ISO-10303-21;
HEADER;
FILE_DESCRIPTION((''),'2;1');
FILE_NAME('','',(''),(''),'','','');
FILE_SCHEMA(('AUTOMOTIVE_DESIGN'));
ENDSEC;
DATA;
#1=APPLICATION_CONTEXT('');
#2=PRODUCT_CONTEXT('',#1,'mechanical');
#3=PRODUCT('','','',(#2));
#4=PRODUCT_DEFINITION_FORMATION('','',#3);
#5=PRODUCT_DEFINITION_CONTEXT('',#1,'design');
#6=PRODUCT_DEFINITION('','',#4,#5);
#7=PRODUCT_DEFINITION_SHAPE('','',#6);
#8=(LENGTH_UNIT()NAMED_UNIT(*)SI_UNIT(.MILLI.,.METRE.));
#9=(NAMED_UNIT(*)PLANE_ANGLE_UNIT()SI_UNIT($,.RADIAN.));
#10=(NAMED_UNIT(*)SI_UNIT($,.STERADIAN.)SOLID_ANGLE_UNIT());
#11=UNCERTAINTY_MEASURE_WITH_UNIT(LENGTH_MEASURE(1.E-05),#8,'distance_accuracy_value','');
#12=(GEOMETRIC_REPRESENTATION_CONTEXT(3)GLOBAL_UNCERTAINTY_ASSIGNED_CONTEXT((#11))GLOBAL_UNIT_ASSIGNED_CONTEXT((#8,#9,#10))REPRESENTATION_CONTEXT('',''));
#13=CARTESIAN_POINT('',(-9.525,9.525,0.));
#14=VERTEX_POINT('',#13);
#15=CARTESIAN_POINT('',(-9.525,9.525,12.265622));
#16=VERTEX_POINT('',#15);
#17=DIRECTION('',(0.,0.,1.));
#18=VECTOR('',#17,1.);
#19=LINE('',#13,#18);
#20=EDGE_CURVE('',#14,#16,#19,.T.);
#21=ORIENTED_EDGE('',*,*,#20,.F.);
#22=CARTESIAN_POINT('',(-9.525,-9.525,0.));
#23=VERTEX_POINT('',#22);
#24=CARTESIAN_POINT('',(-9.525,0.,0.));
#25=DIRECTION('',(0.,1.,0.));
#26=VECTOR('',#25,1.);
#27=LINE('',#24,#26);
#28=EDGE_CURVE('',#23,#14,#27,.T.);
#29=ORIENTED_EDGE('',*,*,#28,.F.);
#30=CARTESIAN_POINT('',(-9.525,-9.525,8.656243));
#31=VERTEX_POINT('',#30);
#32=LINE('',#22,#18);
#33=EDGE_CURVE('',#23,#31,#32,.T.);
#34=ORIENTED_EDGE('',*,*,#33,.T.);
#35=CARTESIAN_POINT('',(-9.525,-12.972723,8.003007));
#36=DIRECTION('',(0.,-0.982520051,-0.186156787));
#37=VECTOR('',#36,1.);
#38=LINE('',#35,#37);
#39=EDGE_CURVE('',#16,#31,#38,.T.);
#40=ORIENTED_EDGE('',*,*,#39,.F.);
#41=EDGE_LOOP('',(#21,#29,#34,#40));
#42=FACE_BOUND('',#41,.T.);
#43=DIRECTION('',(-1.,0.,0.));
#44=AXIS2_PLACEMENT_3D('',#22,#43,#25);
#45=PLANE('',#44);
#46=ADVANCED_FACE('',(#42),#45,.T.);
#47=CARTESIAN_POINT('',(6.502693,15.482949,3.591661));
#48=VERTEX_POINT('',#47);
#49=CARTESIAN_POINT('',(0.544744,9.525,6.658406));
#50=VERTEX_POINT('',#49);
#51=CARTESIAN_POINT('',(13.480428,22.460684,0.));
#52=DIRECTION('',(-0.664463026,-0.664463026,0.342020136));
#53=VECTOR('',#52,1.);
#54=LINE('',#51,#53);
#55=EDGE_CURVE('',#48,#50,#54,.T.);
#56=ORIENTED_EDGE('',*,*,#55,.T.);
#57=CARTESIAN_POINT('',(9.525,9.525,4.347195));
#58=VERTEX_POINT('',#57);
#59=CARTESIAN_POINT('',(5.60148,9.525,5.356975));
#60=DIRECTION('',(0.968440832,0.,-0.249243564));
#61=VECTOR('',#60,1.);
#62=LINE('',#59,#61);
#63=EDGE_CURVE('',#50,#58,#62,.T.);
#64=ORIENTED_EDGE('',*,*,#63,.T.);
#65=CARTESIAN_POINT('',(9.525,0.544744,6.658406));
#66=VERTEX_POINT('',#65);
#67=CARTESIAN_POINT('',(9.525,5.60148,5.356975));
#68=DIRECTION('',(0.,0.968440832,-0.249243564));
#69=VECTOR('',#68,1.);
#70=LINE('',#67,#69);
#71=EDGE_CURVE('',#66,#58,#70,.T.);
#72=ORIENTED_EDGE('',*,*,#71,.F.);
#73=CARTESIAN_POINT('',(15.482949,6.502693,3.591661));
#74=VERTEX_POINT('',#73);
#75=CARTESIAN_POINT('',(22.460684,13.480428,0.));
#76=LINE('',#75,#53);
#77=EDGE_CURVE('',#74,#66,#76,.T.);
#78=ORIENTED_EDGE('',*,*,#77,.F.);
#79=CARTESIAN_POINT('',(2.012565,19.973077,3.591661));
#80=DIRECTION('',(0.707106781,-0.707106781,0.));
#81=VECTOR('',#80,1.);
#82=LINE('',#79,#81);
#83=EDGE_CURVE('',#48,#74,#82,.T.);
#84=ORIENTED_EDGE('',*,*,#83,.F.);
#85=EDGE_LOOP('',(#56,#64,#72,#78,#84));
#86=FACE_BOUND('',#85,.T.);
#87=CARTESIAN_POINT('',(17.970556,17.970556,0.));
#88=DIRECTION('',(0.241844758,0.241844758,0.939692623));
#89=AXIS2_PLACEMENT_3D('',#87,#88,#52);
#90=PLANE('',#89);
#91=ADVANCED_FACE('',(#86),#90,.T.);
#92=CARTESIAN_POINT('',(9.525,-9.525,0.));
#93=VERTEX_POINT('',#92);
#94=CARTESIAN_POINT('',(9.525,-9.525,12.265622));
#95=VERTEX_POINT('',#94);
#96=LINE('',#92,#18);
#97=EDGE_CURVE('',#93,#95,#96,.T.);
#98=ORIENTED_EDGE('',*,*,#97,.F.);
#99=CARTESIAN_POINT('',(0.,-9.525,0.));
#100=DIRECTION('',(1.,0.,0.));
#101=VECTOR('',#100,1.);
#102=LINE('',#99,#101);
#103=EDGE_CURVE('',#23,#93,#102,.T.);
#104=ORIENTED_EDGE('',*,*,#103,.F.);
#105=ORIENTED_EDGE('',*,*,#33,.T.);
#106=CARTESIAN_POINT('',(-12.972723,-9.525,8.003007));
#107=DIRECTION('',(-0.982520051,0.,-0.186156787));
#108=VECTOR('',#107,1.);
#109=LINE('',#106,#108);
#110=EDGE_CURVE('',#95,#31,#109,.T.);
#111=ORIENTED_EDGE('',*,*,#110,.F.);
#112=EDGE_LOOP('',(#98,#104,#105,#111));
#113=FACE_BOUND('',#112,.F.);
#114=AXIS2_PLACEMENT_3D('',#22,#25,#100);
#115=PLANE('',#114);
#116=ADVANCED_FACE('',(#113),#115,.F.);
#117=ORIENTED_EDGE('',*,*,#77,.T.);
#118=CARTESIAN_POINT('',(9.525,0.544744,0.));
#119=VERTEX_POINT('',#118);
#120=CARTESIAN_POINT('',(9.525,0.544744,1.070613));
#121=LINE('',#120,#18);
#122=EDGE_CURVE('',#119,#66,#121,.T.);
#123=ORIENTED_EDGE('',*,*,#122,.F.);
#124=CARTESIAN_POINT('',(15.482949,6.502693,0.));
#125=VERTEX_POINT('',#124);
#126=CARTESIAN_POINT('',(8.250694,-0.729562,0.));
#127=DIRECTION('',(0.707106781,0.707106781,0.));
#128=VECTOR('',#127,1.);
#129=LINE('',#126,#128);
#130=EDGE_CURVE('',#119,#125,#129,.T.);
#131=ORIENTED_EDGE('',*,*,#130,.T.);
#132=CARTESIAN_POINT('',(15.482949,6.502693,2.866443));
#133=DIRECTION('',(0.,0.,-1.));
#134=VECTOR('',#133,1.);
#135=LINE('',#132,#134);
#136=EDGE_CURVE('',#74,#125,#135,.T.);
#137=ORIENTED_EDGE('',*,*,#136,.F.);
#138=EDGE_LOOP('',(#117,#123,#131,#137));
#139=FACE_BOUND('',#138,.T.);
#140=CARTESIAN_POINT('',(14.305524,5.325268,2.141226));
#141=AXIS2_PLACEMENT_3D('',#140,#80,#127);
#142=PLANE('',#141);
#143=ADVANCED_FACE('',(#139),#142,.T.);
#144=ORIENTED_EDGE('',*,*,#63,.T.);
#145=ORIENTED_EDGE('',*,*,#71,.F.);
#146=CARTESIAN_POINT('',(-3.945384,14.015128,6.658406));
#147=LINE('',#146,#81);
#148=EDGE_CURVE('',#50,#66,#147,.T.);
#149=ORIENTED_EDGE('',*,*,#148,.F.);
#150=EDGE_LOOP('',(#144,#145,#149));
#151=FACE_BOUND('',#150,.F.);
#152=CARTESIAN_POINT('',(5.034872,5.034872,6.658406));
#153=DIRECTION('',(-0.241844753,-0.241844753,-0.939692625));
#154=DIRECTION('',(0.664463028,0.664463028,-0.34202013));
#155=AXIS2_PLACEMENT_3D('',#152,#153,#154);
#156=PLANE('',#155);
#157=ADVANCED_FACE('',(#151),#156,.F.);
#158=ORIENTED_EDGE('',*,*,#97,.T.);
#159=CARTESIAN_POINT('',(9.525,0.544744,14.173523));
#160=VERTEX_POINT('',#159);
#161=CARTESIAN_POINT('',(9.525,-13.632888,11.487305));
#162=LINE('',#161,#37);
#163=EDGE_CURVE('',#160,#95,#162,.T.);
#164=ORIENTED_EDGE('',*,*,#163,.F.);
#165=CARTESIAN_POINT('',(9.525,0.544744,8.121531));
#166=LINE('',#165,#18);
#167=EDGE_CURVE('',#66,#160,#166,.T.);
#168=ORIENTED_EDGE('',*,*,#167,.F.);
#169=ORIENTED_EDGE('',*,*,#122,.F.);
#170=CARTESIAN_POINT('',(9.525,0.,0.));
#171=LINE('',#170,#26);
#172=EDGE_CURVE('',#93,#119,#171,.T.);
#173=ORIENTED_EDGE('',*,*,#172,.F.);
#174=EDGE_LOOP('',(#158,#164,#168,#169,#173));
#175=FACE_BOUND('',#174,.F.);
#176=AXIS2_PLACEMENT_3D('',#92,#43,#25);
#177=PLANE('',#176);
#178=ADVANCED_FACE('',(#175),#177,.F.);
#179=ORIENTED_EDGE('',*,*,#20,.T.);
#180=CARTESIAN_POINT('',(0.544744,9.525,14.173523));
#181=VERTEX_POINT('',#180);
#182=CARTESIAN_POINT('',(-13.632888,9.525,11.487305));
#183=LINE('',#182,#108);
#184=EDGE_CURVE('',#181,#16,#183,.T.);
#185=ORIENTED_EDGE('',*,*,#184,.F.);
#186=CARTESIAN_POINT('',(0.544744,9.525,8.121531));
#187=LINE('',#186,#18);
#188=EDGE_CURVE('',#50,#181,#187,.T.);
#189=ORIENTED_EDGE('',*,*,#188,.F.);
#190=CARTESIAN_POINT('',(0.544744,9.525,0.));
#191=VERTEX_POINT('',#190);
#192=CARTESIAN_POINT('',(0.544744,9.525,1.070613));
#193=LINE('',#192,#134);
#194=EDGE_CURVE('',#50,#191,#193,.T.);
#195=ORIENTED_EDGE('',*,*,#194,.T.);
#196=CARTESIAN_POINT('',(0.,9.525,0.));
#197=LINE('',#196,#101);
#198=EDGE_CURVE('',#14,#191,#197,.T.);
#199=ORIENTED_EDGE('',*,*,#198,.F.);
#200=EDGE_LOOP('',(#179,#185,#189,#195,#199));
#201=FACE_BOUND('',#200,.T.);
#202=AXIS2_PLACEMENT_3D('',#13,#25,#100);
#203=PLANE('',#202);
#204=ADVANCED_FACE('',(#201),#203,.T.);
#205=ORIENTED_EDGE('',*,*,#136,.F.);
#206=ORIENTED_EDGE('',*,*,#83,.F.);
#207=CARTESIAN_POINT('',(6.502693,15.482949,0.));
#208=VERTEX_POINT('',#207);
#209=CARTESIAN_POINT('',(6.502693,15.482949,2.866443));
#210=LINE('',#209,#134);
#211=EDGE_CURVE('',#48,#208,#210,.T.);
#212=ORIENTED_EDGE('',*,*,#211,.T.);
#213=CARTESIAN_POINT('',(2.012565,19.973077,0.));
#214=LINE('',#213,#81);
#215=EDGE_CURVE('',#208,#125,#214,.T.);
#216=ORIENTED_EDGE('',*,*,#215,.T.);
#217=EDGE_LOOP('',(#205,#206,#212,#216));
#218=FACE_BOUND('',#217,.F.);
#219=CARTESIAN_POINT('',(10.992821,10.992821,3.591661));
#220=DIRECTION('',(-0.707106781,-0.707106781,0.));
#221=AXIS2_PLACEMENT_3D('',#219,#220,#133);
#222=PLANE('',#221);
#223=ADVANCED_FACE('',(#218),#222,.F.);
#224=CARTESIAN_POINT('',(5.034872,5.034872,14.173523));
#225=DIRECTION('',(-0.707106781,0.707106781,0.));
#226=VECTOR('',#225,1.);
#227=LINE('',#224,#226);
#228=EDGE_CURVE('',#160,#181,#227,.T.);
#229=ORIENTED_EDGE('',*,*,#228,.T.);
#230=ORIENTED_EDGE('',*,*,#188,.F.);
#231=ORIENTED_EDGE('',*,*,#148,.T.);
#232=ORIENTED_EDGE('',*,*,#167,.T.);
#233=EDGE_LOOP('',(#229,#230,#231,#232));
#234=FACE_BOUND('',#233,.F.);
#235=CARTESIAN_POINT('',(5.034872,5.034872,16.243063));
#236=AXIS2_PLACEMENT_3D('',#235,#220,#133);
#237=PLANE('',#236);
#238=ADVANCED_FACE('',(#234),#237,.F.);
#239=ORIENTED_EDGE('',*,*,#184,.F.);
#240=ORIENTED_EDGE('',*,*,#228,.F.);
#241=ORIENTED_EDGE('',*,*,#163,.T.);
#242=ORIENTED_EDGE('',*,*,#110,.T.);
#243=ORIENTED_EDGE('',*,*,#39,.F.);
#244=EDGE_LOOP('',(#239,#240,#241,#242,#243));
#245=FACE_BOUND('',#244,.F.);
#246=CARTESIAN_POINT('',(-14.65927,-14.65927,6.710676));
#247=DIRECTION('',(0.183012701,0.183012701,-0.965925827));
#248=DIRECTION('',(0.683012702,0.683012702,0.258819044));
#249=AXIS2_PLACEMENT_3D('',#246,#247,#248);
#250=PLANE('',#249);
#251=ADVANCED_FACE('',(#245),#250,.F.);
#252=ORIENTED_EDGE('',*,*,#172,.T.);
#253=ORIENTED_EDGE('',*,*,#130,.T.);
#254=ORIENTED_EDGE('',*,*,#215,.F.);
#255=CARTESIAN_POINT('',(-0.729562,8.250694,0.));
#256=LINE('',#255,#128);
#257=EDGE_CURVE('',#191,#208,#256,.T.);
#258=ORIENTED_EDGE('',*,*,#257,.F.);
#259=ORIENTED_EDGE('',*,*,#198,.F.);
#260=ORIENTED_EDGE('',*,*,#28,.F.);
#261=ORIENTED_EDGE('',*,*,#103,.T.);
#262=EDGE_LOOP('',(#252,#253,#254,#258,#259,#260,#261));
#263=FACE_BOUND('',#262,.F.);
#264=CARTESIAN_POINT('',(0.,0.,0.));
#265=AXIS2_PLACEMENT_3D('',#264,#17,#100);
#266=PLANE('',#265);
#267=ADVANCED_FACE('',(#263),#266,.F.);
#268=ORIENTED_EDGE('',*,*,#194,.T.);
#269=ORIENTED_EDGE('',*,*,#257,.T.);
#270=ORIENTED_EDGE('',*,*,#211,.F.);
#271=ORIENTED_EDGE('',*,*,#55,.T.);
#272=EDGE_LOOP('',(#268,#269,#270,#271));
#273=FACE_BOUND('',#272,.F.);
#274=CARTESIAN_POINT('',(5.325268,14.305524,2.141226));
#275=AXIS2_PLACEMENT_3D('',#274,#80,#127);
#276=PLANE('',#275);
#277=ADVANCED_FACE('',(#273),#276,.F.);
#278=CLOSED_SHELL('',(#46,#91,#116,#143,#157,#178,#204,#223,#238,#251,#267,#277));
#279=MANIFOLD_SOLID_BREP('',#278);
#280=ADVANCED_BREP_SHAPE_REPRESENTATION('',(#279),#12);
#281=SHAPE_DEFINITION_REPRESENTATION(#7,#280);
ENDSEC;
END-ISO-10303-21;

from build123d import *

# Parameters (mm, degrees)
F0_W     = 19.05
F0_H     = 19.05
F1_DEPTH = 15.875
F4_DEPTH = 18.796
F6_DEPTH = 6.35
F8_DEPTH = 12.7


with BuildPart() as f1:
    # F0 (on Top) → F1 (new body)
    with BuildSketch(Plane.XY):
        Rectangle(F0_W, F0_H)
    extrude(amount=F1_DEPTH)

    # F3 (on face) → F4 (cut, symmetric)
    with BuildSketch(Plane(origin=(0, 0, 0), x_dir=(0.707107, 0.707107, 0), z_dir=(0.707107, -0.707107, 0))):
        Polygon((-20.731339, 6.710676), (13.470384, 15.875), (-26.841145, 15.875), align=None)
    extrude(amount=F4_DEPTH, both=True, mode=Mode.SUBTRACT)

    # F5 (on face) → F6 (join, symmetric)
    with BuildSketch(Plane(origin=(0, 0, 0), x_dir=(0.707107, 0.707107, 0), z_dir=(0.707107, -0.707107, 0))):
        Polygon((5.318243, 0), (13.470384, 0), (25.414204, 0), (5.383082, 7.290732), align=None)
    extrude(amount=F6_DEPTH, both=True)

    # F7 (on face) → F8 (cut, symmetric)
    with BuildSketch(Plane(origin=(0, 0, 0), x_dir=(0.707107, 0.707107, 0), z_dir=(0.707107, -0.707107, 0))):
        Polygon((7.120384, 16.243063), (7.120384, 6.658406), (15.546197, 3.591661), (15.546197, 0), (25.414204, 0), (14.018306, 17.516766), align=None)
    extrude(amount=F8_DEPTH, both=True, mode=Mode.SUBTRACT)


solid = f1.part
